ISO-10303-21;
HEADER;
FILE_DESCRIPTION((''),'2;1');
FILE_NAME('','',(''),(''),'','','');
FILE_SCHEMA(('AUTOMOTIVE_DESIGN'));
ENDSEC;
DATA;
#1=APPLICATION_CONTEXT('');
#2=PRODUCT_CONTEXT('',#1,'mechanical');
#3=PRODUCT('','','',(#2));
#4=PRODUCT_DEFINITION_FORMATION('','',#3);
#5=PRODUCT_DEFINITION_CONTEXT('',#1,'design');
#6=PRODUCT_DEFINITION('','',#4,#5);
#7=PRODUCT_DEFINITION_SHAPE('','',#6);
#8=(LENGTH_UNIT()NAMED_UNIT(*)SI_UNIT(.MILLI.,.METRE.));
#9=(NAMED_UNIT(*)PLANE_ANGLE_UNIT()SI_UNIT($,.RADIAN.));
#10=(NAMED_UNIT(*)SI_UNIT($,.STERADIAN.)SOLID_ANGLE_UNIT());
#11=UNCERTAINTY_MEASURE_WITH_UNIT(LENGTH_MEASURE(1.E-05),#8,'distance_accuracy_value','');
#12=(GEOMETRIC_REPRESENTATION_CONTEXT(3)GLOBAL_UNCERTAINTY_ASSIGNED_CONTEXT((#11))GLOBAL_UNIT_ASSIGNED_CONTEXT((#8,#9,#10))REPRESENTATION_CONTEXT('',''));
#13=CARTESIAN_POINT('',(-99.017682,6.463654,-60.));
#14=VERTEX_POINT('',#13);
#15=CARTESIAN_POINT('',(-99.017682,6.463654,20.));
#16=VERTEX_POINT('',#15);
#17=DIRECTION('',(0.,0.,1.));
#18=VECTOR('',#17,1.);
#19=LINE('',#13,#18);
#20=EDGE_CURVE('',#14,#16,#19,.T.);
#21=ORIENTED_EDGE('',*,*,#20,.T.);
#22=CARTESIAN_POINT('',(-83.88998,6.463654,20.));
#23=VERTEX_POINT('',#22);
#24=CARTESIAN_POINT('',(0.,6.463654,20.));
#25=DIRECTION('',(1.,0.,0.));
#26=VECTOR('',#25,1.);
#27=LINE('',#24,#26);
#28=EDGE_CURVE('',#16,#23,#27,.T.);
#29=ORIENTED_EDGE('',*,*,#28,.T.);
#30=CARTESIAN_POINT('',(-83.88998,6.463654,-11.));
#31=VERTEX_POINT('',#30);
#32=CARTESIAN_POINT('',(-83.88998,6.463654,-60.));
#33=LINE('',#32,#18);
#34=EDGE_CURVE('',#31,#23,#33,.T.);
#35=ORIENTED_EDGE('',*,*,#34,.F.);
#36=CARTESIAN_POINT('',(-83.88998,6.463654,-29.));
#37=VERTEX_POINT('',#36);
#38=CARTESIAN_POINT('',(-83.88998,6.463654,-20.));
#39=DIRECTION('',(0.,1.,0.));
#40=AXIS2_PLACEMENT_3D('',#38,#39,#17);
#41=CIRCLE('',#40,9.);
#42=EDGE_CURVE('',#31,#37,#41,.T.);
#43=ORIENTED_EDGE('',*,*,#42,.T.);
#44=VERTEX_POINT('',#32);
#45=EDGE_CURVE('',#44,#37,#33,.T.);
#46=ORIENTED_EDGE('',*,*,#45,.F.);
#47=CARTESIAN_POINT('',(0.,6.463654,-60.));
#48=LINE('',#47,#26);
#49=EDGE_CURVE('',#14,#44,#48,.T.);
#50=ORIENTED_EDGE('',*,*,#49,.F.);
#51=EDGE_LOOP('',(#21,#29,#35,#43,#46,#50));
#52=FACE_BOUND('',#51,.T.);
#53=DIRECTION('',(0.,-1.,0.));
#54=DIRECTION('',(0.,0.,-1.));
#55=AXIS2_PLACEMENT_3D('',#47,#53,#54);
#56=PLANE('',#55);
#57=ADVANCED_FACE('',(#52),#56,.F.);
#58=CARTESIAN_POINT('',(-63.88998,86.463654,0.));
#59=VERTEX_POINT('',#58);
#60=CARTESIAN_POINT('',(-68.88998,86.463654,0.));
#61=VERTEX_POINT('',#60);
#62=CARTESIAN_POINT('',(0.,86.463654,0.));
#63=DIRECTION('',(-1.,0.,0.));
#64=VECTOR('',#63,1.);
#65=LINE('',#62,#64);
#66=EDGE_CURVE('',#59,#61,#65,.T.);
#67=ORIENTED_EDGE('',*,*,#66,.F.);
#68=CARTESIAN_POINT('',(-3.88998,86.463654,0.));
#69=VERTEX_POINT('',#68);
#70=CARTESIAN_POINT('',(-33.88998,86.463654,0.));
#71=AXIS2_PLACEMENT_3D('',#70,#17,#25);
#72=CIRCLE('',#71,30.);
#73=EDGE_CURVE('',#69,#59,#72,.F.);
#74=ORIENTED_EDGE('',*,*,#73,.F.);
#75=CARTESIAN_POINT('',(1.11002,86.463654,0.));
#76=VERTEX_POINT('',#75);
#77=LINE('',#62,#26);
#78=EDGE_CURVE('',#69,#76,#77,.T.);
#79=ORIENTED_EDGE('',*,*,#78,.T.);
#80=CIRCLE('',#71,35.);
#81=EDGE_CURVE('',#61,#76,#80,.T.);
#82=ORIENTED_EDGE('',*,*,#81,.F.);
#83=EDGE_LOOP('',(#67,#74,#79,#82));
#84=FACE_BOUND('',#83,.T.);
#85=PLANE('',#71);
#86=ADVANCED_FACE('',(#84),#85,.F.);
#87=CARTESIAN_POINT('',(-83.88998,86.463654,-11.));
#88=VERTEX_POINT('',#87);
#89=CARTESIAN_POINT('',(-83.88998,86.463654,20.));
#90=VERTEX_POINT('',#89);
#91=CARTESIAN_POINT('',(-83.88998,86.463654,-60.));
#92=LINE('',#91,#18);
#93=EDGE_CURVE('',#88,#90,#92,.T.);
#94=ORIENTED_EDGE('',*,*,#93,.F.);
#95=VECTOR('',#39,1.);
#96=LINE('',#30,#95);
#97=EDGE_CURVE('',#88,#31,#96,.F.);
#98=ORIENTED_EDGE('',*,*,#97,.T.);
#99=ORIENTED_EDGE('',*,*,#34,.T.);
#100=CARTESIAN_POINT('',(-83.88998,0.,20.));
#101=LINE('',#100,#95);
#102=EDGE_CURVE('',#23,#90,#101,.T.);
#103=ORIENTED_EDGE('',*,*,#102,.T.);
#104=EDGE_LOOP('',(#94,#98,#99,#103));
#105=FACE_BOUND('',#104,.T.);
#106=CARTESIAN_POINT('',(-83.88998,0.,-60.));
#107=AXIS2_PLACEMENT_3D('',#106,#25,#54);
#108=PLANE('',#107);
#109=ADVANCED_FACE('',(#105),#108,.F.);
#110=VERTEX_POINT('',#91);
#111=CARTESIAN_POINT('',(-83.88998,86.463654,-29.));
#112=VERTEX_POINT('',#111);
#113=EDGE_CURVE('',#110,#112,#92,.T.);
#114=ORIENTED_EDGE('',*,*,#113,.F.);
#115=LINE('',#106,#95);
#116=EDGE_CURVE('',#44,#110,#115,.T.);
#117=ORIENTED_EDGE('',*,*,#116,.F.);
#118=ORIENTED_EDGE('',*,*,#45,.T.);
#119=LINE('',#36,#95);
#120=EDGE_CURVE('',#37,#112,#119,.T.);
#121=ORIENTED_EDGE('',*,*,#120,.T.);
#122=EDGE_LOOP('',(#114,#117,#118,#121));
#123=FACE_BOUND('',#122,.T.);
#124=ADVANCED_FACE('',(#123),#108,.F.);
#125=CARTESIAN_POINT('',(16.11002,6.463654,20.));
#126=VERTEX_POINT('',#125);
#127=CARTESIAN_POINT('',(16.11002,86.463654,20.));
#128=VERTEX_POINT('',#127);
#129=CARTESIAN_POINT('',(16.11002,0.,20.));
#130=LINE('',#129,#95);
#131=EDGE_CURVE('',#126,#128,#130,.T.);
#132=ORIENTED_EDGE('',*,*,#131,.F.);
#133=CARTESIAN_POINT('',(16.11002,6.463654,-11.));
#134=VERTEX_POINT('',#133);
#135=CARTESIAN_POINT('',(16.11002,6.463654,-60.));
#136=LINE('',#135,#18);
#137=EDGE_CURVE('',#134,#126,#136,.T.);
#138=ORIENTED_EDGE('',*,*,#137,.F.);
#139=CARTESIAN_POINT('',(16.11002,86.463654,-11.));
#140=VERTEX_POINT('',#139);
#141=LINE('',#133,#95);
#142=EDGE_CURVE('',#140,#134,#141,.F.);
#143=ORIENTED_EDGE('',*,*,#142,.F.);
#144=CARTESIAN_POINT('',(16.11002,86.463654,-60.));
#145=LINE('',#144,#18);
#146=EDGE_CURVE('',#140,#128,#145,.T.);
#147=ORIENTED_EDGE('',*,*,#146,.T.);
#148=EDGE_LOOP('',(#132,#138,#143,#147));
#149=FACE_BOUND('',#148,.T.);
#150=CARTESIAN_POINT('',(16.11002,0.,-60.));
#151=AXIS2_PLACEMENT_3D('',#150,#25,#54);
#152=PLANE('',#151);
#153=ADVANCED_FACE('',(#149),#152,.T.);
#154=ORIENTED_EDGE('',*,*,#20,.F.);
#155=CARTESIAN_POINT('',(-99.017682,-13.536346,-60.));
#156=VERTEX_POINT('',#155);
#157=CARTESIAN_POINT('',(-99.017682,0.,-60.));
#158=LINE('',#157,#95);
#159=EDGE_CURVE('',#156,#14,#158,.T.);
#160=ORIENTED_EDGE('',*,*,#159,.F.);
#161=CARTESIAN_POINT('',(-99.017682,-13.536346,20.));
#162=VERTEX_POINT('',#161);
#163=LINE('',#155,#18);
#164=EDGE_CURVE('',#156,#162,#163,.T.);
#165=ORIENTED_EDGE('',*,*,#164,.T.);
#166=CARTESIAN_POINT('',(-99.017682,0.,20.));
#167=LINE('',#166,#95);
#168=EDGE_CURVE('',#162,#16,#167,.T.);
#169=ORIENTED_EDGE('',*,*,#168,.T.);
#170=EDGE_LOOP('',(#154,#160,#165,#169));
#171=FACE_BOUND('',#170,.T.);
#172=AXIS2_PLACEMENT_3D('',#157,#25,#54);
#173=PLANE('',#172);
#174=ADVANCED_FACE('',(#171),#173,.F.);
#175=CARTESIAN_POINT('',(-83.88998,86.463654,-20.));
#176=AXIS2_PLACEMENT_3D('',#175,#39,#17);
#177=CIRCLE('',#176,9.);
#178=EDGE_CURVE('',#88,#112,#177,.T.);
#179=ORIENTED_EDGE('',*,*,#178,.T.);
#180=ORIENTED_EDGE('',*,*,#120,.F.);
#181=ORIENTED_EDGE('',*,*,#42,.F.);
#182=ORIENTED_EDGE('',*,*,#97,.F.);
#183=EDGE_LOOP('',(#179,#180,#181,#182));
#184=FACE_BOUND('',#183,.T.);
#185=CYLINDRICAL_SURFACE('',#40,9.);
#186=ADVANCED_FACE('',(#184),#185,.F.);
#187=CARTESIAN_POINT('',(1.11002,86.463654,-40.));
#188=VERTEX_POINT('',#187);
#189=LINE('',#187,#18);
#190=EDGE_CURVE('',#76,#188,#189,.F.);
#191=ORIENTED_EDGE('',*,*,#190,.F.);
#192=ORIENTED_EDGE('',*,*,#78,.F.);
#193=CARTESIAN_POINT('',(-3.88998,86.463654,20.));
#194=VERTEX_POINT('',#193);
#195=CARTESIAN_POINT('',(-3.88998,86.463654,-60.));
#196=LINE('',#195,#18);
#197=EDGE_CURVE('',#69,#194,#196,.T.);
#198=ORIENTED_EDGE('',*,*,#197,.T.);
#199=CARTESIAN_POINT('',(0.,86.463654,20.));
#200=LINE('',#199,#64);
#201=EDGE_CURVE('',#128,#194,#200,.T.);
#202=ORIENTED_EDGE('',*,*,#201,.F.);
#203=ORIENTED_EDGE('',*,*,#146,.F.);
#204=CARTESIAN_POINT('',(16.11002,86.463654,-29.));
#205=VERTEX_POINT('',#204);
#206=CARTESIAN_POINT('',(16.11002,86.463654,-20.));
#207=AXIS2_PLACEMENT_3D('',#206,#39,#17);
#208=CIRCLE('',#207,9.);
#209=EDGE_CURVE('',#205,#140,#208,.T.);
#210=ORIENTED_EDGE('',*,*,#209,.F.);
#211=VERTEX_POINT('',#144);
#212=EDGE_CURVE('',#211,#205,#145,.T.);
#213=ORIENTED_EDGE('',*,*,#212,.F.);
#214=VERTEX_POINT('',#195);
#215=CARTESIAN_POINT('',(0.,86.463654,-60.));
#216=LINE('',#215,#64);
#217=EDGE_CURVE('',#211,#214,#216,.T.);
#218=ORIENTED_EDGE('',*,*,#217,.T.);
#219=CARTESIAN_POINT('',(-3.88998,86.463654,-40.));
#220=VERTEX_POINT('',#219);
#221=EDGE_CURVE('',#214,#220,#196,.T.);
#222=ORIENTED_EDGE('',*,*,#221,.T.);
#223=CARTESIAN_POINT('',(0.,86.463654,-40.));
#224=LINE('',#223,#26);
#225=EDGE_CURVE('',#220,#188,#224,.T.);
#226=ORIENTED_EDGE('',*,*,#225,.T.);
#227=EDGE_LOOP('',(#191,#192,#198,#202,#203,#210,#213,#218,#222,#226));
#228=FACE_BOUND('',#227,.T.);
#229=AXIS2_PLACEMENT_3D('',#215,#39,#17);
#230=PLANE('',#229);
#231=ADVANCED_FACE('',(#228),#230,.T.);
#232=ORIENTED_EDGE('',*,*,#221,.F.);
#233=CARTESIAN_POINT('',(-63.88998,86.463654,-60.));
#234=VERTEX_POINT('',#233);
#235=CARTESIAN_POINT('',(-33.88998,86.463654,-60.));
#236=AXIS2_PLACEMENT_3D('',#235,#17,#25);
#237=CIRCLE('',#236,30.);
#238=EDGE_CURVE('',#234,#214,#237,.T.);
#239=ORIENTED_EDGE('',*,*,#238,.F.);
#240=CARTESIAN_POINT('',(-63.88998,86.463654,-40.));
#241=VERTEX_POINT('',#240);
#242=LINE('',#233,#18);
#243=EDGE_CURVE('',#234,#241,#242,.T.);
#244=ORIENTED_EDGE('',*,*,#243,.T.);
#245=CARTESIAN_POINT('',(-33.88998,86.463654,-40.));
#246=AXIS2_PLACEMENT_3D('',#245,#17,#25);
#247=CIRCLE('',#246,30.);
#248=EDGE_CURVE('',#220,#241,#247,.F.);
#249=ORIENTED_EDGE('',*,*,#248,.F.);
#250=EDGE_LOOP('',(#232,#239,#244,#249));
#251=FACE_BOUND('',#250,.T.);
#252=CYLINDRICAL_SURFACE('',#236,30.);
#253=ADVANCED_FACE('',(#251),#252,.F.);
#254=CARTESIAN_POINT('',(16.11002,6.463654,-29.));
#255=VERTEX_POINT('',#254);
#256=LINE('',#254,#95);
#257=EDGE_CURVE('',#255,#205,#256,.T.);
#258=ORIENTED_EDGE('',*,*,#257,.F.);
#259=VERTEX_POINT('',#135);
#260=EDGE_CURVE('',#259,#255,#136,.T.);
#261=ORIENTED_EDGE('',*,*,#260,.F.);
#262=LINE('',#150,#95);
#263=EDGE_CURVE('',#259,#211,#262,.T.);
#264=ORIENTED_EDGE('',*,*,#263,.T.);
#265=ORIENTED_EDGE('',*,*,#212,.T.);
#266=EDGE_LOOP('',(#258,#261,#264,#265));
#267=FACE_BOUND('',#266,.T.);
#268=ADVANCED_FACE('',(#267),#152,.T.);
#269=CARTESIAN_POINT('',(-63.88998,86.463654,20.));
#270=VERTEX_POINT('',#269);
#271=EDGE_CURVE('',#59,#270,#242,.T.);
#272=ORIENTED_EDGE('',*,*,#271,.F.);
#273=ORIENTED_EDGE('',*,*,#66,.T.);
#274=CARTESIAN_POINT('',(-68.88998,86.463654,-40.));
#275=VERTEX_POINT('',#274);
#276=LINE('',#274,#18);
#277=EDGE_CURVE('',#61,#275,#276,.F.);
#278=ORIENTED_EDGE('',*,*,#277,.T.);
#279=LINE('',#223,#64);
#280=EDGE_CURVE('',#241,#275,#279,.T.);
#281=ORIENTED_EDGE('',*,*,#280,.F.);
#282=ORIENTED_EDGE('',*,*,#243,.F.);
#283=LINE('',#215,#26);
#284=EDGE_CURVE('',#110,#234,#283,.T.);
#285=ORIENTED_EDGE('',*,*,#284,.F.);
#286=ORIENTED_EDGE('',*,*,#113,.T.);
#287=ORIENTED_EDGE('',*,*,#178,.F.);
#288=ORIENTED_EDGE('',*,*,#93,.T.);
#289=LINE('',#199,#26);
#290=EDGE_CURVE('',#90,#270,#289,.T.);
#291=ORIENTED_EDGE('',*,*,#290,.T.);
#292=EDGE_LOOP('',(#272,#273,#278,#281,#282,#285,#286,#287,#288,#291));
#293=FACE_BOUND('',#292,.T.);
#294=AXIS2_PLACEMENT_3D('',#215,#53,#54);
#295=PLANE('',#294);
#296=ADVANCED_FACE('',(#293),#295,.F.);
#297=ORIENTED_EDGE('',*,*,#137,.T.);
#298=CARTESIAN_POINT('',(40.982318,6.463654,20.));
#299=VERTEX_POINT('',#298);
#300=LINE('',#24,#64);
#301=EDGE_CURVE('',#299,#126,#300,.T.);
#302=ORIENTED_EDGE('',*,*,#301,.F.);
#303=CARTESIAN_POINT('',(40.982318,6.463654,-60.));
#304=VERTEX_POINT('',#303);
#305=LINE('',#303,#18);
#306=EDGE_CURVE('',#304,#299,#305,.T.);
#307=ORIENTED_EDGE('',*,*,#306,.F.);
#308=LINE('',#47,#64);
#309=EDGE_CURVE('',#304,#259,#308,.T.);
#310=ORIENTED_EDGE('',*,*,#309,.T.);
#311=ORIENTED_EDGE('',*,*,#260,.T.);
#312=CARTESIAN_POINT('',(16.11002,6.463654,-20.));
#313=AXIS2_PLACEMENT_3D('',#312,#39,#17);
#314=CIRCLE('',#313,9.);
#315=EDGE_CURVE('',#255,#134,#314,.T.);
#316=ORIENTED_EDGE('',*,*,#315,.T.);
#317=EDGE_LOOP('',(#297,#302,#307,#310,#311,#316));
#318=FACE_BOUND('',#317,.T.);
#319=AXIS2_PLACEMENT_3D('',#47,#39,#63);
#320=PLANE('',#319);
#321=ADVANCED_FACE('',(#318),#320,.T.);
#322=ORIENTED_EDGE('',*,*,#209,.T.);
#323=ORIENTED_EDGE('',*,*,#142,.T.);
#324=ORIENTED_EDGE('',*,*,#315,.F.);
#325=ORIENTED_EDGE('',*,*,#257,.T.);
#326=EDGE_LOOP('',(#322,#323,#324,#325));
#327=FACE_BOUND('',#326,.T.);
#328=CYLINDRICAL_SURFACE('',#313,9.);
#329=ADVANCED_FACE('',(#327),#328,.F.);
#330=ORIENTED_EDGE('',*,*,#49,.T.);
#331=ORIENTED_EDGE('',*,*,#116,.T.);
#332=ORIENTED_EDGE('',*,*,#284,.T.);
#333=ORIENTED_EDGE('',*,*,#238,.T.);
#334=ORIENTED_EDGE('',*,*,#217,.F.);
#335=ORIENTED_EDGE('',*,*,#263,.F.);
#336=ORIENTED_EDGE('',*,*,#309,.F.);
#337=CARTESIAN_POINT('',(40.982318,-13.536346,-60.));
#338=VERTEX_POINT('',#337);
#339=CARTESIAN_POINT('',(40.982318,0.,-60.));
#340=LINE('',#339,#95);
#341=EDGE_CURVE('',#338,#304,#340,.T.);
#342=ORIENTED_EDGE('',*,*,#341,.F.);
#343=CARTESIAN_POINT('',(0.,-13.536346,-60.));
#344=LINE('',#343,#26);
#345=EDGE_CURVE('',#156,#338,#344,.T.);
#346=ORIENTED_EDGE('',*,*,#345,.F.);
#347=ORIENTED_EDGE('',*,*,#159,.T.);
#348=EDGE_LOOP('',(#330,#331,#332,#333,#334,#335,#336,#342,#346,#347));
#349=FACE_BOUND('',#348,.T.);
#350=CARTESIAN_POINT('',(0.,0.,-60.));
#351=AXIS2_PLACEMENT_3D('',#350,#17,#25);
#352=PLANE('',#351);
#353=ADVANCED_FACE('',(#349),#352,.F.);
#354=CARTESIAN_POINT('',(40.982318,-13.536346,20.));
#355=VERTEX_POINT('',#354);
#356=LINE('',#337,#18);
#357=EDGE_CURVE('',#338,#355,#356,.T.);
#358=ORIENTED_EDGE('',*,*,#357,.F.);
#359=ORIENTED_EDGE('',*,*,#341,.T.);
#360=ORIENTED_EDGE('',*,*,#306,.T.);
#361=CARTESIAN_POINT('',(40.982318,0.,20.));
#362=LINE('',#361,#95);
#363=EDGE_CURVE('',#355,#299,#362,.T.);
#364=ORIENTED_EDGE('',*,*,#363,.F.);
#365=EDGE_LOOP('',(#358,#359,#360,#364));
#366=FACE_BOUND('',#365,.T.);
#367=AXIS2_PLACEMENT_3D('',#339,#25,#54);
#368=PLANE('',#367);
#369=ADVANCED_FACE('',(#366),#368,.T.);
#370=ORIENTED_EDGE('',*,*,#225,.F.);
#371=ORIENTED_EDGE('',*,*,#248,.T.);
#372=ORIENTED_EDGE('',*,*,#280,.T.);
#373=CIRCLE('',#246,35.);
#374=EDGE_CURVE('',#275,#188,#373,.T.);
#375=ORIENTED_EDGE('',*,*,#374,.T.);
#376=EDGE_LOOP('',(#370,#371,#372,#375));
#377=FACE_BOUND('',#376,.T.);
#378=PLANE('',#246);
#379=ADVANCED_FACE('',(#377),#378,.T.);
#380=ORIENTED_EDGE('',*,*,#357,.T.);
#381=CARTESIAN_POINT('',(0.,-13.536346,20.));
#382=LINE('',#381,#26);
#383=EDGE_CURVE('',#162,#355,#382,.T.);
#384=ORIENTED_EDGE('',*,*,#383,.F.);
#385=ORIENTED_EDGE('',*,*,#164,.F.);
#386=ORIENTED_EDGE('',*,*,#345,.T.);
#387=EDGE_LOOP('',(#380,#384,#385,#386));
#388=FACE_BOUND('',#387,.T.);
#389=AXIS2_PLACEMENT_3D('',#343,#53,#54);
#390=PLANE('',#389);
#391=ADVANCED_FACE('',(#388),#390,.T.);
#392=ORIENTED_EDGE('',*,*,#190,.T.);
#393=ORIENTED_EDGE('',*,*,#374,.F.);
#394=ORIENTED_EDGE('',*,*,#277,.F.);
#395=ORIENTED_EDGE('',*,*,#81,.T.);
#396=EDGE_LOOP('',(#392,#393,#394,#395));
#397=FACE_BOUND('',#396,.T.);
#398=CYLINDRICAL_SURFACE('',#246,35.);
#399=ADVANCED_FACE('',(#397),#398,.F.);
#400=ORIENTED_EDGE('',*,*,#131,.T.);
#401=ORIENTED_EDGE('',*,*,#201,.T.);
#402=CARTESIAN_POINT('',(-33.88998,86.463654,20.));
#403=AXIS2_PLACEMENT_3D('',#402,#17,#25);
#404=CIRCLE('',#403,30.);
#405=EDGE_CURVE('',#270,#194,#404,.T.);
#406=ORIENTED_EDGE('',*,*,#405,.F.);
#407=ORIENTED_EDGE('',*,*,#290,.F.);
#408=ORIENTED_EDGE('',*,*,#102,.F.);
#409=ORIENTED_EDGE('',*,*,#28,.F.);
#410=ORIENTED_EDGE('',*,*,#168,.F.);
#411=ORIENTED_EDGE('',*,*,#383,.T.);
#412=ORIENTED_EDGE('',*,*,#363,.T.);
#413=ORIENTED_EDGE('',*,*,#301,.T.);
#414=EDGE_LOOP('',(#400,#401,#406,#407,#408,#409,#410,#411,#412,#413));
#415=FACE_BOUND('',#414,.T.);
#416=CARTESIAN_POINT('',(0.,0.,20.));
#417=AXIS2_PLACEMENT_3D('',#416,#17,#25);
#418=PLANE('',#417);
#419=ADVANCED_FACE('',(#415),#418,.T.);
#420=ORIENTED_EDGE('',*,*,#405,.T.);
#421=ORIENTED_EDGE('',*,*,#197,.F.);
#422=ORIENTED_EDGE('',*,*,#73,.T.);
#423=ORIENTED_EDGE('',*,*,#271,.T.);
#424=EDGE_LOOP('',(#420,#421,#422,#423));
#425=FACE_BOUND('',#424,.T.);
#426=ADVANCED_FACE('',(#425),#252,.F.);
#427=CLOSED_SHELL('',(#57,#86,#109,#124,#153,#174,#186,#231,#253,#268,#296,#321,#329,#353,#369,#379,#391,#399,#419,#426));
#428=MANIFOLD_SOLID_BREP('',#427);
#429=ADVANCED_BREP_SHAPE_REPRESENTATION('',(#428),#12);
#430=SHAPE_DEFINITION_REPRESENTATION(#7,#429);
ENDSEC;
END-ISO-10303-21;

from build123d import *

# Parameters (mm, degrees)
BOSS_EXTRUDE1_DEPTH = 80
SKETCH2_R           = 9
CUT_EXTRUDE1_DEPTH  = 80
SKETCH5_R           = 35
CUT_EXTRUDE2_DEPTH  = 40


with BuildPart() as part:
    # Sketch1 → Boss-Extrude1 (new body)
    with BuildSketch(Plane.XY):
        with BuildLine():
            Line((-99.017681729, 6.463654224), (-99.017681729, -13.536345776))
            Line((-99.017681729, -13.536345776), (40.982318271, -13.536345776))
            Line((40.982318271, -13.536345776), (40.982318271, 6.463654224))
            Line((40.982318271, 6.463654224), (16.110019646, 6.463654224))
            Line((16.110019646, 6.463654224), (16.110019646, 86.463654224))
            Line((16.110019646, 86.463654224), (-3.889980354, 86.463654224))
            ThreePointArc((-3.889980354, 86.463654224), (-33.889980354, 56.463654224), (-63.889980354, 86.463654224))
            Line((-63.889980354, 86.463654224), (-83.889980354, 86.463654224))
            Line((-83.889980354, 86.463654224), (-83.889980354, 6.463654224))
            Line((-83.889980354, 6.463654224), (-99.017681729, 6.463654224))
        make_face()
    extrude(amount=-BOSS_EXTRUDE1_DEPTH)

    # Sketch2 → Cut-Extrude1 (cut)
    with BuildSketch(Plane(origin=(0, 86.463654224, 0), x_dir=(1, 0, 0), z_dir=(0, 1, 0))):
        with Locations((16.110019646, 40)):
            Circle(SKETCH2_R)
        with Locations((-83.889980354, 40)):
            Circle(SKETCH2_R)
    extrude(amount=-CUT_EXTRUDE1_DEPTH, mode=Mode.SUBTRACT)


with BuildPart() as part_1:
    # Body-Move/Copy1: moved
    add(part.part.moved(Location((0, 0, 20))))

    # Sketch5 → Cut-Extrude2 (cut)
    with BuildSketch(Plane.XY):
        with Locations((-33.889980354, 86.463654224)):
            Circle(SKETCH5_R)
    extrude(amount=-CUT_EXTRUDE2_DEPTH, mode=Mode.SUBTRACT)


solid = part_1.part
